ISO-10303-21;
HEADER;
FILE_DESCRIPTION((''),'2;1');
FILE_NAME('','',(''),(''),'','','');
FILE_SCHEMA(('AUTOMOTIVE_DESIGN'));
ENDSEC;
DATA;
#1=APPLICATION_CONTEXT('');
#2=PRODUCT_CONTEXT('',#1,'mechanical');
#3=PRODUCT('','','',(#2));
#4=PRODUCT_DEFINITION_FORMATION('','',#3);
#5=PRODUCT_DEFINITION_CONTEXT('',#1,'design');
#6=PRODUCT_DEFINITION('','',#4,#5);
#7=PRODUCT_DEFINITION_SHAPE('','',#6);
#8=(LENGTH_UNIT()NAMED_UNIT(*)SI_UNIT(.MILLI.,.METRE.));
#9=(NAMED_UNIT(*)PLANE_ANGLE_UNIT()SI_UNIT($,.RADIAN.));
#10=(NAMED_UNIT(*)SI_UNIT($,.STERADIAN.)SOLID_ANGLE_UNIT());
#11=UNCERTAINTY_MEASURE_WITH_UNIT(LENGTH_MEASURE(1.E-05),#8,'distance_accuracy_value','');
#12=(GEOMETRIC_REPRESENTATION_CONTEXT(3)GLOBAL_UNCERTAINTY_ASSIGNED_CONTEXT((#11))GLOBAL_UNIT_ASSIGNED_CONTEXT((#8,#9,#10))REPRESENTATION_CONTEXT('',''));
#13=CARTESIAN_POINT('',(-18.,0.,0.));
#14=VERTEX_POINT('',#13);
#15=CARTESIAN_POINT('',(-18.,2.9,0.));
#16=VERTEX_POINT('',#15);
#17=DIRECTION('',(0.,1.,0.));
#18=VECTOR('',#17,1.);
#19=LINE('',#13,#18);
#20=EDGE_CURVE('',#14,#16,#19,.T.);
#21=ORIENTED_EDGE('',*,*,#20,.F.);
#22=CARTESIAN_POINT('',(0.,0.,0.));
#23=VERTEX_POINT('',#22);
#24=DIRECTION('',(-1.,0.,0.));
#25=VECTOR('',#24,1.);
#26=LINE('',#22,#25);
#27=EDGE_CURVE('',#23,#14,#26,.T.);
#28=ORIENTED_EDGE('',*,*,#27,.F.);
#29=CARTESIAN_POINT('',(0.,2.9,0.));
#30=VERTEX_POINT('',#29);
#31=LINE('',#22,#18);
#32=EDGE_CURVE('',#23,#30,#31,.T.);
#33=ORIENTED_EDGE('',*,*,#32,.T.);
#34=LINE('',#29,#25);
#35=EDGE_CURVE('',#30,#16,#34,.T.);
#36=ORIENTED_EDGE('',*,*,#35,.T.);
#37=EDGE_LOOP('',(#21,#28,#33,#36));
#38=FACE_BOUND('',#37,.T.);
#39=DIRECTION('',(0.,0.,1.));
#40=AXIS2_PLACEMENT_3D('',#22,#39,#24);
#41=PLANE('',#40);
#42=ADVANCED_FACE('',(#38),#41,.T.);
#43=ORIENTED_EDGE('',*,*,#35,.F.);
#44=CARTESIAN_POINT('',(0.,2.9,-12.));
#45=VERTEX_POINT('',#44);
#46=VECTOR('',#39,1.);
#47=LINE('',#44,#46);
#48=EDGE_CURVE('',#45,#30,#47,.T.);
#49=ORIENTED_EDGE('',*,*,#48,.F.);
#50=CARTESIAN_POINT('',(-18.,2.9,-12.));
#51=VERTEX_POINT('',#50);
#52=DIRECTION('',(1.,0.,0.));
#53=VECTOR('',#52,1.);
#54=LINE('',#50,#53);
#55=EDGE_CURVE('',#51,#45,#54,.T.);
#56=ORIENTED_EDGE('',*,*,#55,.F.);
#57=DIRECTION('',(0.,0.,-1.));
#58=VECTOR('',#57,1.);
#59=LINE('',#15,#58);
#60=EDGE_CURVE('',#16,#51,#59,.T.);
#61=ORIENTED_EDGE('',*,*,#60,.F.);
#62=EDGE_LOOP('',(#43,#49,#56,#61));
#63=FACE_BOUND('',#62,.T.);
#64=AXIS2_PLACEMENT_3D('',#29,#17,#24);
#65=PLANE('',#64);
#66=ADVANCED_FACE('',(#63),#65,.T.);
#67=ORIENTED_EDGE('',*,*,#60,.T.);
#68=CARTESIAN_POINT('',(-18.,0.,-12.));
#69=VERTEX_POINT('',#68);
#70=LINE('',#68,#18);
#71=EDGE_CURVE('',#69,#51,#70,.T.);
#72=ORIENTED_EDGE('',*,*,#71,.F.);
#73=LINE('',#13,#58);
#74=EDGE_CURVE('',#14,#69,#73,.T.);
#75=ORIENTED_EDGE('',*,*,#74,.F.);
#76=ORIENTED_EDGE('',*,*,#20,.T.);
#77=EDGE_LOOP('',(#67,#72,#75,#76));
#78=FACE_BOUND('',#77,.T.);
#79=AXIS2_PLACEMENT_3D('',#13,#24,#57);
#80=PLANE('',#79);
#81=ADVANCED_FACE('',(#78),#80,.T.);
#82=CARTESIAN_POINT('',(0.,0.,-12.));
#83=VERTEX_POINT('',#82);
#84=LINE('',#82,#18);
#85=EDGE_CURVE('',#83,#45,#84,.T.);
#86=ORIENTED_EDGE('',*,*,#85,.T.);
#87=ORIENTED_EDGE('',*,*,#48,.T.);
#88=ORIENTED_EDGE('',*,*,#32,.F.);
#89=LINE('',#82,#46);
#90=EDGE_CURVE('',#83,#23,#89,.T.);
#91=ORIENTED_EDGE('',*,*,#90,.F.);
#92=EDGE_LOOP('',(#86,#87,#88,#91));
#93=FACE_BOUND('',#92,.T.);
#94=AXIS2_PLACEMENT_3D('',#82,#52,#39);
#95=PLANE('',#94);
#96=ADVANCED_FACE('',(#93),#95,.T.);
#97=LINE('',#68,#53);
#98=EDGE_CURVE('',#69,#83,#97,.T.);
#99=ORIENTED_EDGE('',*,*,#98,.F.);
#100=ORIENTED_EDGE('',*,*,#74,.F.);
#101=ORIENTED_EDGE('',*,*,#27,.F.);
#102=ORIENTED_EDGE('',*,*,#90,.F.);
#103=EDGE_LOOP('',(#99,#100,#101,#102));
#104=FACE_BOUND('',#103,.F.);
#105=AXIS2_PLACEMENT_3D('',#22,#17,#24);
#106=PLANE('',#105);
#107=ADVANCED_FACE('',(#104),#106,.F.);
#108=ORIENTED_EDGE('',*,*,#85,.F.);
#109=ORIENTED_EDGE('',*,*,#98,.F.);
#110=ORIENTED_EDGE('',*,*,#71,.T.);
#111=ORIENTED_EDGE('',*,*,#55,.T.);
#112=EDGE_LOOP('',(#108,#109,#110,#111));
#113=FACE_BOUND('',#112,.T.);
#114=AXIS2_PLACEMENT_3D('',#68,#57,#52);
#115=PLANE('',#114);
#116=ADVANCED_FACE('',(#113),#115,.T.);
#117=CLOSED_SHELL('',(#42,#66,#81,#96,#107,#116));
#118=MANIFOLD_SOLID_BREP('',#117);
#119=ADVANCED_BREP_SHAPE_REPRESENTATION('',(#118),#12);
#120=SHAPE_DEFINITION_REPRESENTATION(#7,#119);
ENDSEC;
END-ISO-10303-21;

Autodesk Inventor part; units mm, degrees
ref_plane "YZ Plane" through (0, 0, 0) normal (1, 0, 0) x (0, 1, 0)
ref_plane "XZ Plane" through (0, 0, 0) normal (0, 1, 0) x (-1, 0, 0)
ref_plane "XY Plane" through (0, 0, 0) normal (0, 0, 1) x (1, 0, 0)
sketch "Sketch1" plane through (0, 0, 0) normal (0, 1, 0) x (-1, 0, 0)
  line L0 (0, 0) -> (18, 0)
  line L1 (18, 0) -> (18, -12)
  line L2 (18, -12) -> (0, -12)
  line L3 (0, -12) -> (0, 0)
  dimension "d0" = 18
  dimension "d1" = 12
extrude "Extrusion1" add sketch "Sketch1" along normal blind 2.9
properties part number "shim_3mm"
